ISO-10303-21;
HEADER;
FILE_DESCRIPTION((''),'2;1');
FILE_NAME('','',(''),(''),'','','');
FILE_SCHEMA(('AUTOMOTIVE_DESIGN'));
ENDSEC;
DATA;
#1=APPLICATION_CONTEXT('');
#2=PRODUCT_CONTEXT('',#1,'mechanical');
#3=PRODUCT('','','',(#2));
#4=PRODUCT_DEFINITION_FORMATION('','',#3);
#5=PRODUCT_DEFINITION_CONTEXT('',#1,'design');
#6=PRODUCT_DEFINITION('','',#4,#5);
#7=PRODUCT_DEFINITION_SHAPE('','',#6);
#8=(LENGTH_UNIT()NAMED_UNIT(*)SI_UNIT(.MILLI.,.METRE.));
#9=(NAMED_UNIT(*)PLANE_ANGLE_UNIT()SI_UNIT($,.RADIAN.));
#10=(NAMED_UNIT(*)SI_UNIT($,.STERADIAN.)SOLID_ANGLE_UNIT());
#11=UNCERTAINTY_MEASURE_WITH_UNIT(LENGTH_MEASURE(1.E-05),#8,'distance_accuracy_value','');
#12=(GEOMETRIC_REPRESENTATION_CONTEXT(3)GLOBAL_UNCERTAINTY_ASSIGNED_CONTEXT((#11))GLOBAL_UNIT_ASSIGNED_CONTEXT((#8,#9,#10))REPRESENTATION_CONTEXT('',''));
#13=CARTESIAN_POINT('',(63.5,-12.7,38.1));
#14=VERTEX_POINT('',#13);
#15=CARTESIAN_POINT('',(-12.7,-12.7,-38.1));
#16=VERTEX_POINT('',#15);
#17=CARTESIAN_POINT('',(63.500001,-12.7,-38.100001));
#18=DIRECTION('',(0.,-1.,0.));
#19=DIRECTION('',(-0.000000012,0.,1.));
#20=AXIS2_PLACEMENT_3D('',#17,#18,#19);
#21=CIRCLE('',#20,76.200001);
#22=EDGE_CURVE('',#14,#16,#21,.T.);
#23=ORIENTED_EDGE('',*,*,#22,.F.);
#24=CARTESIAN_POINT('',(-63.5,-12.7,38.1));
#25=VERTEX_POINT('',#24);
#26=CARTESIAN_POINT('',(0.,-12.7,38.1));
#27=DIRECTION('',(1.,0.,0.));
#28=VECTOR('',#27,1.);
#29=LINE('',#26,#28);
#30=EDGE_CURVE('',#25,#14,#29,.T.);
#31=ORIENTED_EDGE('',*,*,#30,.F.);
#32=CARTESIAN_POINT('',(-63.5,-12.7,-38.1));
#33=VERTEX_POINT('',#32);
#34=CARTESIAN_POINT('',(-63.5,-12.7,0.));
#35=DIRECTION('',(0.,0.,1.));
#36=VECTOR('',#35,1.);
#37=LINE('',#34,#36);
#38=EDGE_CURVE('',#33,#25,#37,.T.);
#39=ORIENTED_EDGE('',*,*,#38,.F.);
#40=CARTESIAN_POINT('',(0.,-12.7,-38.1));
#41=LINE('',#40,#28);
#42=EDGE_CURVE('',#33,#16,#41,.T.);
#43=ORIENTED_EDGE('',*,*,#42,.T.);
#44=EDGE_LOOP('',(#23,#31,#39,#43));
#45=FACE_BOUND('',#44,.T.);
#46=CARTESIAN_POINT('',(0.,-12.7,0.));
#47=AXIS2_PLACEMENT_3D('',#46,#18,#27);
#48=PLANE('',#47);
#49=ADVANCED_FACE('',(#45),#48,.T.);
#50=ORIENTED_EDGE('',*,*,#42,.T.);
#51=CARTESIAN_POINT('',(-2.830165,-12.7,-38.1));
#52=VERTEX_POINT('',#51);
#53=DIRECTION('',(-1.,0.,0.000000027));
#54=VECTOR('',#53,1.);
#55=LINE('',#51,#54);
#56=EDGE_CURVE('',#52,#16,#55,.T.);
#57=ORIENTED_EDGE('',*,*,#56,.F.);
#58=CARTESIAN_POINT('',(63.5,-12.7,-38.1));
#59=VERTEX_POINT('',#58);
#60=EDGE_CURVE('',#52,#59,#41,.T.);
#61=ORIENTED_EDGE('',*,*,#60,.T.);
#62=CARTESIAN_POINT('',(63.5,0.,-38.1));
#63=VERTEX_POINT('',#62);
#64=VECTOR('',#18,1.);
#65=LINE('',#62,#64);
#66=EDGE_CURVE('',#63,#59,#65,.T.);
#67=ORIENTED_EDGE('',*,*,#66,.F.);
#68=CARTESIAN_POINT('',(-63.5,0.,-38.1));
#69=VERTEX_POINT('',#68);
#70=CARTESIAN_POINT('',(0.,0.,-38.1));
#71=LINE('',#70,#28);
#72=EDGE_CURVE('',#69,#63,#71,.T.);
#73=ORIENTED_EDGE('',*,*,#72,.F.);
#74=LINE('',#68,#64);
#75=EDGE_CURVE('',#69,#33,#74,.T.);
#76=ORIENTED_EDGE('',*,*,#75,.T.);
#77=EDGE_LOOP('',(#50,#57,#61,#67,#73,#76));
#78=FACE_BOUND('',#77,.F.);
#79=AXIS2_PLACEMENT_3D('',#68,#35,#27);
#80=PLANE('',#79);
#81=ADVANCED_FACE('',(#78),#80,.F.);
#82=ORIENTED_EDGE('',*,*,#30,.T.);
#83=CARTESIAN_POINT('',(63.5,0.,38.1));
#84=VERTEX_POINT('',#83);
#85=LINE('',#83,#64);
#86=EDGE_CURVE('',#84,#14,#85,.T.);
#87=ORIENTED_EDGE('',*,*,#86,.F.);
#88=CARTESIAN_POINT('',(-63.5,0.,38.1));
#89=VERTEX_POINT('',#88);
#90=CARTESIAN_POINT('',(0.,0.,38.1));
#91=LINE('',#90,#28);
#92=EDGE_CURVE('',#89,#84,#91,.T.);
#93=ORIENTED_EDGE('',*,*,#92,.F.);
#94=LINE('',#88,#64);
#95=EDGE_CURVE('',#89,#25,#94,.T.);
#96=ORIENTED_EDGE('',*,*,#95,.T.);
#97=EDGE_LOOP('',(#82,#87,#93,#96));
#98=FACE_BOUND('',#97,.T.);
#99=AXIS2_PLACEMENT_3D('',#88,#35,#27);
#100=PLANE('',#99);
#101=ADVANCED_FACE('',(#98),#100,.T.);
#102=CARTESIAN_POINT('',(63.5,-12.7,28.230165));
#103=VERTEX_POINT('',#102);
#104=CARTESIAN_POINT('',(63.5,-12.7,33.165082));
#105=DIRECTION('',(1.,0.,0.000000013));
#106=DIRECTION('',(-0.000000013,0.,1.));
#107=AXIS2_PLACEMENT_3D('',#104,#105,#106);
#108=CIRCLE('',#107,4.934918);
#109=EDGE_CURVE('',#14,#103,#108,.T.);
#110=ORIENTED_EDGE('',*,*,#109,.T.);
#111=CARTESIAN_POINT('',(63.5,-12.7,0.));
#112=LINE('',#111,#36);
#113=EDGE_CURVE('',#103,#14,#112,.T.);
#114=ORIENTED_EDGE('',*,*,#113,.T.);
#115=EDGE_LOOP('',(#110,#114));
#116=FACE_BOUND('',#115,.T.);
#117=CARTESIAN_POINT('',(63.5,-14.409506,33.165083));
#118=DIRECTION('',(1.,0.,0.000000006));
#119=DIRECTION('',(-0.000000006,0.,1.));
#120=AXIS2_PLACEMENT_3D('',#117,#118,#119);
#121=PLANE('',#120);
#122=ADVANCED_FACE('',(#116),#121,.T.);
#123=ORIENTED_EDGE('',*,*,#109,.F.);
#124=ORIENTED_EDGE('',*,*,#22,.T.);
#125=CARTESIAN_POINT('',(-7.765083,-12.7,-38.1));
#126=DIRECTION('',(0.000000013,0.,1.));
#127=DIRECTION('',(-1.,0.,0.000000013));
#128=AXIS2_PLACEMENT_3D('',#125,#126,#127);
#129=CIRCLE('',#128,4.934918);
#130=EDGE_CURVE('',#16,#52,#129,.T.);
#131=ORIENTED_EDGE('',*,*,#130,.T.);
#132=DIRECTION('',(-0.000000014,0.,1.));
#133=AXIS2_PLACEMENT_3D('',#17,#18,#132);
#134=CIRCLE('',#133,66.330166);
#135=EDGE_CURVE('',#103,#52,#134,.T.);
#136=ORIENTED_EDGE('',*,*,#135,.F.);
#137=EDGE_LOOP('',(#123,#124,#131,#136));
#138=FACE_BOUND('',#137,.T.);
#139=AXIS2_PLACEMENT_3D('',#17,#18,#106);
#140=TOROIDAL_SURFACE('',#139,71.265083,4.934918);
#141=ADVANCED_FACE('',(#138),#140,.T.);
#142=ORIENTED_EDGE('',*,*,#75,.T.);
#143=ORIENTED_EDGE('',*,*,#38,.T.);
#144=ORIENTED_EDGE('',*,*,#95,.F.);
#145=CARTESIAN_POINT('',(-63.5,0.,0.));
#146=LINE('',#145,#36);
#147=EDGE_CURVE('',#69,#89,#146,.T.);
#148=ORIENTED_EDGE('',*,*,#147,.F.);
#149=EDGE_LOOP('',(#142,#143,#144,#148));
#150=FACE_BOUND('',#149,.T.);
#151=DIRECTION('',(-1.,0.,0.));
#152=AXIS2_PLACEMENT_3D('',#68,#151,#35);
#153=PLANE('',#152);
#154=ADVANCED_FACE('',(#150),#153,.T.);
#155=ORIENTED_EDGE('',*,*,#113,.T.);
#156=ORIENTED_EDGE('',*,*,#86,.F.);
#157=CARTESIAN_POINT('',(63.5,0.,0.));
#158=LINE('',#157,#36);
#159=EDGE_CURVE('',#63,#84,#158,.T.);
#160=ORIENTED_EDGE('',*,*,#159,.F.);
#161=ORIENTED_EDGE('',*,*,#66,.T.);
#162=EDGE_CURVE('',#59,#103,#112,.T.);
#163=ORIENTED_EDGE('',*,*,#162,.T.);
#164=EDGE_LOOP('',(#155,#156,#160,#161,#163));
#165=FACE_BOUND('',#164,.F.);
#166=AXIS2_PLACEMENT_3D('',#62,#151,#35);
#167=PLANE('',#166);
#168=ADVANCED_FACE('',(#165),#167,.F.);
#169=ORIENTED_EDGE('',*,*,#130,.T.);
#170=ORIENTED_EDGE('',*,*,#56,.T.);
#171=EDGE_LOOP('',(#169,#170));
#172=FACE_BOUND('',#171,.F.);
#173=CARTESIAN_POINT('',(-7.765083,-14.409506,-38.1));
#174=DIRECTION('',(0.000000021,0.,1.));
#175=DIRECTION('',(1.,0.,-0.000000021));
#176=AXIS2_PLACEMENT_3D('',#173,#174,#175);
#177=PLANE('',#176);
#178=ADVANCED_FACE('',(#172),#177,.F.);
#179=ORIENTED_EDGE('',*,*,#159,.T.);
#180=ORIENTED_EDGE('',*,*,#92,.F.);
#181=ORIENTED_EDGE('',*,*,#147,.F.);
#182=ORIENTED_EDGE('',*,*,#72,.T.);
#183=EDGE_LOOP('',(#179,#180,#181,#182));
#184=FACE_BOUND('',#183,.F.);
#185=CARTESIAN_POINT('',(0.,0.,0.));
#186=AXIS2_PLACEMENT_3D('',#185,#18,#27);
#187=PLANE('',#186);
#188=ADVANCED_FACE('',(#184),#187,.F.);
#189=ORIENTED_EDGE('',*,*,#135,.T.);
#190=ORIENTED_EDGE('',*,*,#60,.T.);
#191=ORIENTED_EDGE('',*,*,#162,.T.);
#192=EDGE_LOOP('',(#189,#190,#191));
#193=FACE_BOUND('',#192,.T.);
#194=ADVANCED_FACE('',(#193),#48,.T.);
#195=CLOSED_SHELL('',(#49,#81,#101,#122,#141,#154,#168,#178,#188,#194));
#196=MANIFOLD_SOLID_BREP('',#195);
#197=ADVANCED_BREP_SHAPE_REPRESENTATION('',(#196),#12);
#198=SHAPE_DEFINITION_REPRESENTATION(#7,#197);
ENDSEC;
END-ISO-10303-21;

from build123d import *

# Parameters (mm, degrees)
F0_W     = 127
F0_H     = 76.2
F1_DEPTH = 12.7


with BuildPart() as f1:
    # F0 (on Front) → F1 (new body)
    with BuildSketch(Plane.XZ):
        Rectangle(F0_W, F0_H)
    extrude(amount=F1_DEPTH)

    # F4: sweep along a path in F2
    with BuildLine(Plane.XZ.offset(12.7)) as f4_path:
        ThreePointArc((63.5, 33.02), (13.210566, 12.189434), (-7.62, -38.1))
    # F3 (on face) → F4 (sweep)
    with BuildSketch(Plane.YZ.offset(63.5)):
        with BuildLine():
            Line((-12.7, 28.230165), (-12.7, 38.1))
            ThreePointArc((-12.7, 38.1), (-17.634918, 33.165082), (-12.7, 28.230165))
        make_face()
    sweep(path=f4_path.line)


solid = f1.part
